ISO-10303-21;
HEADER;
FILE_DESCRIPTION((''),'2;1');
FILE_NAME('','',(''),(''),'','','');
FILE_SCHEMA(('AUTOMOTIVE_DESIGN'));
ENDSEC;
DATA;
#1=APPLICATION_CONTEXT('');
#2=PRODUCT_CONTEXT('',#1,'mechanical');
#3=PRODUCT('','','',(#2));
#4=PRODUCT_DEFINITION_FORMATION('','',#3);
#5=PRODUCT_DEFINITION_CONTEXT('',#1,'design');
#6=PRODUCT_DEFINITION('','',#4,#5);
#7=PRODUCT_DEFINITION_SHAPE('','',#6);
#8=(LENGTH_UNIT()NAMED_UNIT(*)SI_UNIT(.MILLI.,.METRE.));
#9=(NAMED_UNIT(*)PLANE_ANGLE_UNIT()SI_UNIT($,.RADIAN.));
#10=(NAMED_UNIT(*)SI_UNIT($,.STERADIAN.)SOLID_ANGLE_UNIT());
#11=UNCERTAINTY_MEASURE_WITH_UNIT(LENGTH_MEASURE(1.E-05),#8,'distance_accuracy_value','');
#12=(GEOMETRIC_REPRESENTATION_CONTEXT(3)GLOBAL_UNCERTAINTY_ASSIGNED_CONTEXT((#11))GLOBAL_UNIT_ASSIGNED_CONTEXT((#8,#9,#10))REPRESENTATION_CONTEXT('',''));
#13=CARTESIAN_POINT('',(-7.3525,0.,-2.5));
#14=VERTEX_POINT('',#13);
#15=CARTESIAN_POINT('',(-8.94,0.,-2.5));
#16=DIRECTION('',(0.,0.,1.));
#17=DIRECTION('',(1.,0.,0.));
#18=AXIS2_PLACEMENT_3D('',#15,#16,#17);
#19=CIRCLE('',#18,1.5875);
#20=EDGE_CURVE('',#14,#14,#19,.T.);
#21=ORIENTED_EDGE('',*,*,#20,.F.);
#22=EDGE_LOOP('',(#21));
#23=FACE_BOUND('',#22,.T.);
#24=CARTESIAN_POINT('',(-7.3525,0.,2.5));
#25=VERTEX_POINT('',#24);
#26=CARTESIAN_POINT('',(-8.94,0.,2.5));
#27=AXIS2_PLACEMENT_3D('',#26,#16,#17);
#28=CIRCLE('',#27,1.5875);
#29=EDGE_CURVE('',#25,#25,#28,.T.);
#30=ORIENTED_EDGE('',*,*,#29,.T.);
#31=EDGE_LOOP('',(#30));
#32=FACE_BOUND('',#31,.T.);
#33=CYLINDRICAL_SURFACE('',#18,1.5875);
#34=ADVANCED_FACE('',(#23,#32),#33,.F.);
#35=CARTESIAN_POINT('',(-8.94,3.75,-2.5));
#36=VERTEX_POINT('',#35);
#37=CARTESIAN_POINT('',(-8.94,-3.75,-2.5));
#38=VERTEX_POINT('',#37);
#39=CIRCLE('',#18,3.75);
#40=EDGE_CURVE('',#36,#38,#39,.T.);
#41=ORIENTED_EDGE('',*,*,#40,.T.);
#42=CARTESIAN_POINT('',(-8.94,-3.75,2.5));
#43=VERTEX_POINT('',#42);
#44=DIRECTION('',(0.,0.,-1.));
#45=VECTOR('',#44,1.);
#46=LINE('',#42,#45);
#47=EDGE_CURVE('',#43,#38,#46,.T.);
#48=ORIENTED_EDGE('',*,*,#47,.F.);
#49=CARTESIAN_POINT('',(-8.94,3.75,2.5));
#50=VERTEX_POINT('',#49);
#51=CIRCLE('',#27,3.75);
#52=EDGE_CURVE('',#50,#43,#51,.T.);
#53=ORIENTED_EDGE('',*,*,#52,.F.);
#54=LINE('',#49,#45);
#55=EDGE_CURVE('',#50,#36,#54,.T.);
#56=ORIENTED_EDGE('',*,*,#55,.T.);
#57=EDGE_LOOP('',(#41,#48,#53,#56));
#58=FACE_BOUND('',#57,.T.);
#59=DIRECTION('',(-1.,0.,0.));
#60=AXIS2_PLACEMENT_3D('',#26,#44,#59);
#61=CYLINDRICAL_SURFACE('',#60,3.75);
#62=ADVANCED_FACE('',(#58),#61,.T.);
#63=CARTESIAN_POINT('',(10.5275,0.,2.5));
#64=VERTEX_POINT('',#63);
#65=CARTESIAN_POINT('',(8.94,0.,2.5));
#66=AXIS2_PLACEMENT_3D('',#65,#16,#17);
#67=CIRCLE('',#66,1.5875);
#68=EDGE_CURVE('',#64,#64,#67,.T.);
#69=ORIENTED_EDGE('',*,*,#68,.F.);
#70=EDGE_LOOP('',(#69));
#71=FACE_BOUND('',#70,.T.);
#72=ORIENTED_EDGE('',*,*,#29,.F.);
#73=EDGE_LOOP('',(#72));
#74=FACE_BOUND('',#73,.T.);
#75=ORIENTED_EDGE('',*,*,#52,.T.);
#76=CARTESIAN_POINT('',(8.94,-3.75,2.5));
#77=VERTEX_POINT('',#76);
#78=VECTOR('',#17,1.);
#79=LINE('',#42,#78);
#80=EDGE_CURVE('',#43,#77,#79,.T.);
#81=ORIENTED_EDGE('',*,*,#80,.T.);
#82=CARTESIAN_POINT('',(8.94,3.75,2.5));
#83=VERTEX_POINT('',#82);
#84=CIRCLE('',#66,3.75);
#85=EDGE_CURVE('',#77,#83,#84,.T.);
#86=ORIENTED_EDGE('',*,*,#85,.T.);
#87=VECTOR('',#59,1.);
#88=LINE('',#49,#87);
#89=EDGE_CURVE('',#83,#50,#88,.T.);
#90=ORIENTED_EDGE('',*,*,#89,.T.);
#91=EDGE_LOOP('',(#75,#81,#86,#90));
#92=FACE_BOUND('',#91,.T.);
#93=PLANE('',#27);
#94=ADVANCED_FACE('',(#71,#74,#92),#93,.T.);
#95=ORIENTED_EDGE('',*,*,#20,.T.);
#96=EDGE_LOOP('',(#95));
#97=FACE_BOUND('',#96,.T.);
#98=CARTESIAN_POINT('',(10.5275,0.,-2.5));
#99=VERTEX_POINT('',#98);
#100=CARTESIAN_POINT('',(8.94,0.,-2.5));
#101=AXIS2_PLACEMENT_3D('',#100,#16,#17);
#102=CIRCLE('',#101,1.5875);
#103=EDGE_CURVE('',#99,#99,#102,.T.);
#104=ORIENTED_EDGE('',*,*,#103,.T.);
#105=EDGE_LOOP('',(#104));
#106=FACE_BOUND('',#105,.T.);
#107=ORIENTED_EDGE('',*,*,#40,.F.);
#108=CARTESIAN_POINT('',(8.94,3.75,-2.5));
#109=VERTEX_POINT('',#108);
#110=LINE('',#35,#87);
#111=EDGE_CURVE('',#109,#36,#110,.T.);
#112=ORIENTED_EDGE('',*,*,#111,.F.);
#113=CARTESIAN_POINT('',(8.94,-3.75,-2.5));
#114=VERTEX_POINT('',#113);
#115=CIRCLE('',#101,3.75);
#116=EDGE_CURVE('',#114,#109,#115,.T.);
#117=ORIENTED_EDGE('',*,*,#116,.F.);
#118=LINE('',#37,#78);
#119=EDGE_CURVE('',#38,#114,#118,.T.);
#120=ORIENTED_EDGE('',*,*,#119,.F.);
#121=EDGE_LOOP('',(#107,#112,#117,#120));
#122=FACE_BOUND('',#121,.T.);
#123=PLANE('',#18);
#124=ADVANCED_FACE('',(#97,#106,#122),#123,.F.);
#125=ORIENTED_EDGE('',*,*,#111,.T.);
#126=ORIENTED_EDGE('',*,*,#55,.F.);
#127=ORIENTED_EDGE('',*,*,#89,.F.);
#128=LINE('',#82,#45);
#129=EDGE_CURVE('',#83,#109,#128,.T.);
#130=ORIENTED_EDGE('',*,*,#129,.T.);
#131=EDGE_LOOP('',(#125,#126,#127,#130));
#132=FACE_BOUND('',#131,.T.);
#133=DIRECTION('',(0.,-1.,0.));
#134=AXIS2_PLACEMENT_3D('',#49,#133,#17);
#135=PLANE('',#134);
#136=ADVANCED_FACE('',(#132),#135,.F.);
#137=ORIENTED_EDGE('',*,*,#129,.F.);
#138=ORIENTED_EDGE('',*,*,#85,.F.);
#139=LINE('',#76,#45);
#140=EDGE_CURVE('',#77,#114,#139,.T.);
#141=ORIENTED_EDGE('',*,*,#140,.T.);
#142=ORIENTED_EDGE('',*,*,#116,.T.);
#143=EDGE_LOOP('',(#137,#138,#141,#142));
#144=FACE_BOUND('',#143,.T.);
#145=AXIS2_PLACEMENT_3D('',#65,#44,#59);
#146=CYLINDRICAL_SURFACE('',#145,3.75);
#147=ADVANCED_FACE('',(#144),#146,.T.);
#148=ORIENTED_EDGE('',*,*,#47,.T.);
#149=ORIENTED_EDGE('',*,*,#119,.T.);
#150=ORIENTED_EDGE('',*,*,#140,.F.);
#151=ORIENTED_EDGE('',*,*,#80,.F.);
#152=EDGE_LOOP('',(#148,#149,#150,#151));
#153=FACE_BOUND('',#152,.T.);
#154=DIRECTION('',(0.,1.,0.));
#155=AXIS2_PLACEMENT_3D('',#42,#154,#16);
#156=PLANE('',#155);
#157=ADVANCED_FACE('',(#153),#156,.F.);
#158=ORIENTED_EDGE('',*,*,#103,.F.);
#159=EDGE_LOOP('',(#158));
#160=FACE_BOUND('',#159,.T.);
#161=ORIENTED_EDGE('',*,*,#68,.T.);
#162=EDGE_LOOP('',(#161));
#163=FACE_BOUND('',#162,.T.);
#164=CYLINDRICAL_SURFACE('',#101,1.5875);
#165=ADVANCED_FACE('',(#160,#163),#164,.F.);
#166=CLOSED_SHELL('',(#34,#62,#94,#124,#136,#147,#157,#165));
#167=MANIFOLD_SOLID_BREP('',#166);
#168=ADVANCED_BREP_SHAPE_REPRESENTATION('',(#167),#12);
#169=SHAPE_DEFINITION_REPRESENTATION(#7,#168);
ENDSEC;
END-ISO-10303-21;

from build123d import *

# Parameters (mm, degrees)
BOSS_EXTRUDE1_DEPTH = 2.5
SKETCH2_R           = 1.5875
CUT_EXTRUDE1_DEPTH  = 15.145621231


with BuildPart() as part:
    # Sketch1 → Boss-Extrude1 (new, symmetric)
    with BuildSketch(Plane.XY):
        with BuildLine():
            Line((-8.94, 3.75), (8.94, 3.75))
            ThreePointArc((8.94, 3.75), (12.69, 0), (8.94, -3.75))
            Line((8.94, -3.75), (-8.94, -3.75))
            ThreePointArc((-8.94, -3.75), (-12.69, 0), (-8.94, 3.75))
        make_face()
    extrude(amount=BOSS_EXTRUDE1_DEPTH, both=True)

    # Sketch2 → Cut-Extrude1 (cut, through all)
    with BuildSketch(Plane.XY.offset(2.5)):
        with Locations((-8.94, 0)):
            Circle(SKETCH2_R)
        with Locations((8.94, 0)):
            Circle(SKETCH2_R)
    extrude(amount=-CUT_EXTRUDE1_DEPTH, mode=Mode.SUBTRACT)


solid = part.part
